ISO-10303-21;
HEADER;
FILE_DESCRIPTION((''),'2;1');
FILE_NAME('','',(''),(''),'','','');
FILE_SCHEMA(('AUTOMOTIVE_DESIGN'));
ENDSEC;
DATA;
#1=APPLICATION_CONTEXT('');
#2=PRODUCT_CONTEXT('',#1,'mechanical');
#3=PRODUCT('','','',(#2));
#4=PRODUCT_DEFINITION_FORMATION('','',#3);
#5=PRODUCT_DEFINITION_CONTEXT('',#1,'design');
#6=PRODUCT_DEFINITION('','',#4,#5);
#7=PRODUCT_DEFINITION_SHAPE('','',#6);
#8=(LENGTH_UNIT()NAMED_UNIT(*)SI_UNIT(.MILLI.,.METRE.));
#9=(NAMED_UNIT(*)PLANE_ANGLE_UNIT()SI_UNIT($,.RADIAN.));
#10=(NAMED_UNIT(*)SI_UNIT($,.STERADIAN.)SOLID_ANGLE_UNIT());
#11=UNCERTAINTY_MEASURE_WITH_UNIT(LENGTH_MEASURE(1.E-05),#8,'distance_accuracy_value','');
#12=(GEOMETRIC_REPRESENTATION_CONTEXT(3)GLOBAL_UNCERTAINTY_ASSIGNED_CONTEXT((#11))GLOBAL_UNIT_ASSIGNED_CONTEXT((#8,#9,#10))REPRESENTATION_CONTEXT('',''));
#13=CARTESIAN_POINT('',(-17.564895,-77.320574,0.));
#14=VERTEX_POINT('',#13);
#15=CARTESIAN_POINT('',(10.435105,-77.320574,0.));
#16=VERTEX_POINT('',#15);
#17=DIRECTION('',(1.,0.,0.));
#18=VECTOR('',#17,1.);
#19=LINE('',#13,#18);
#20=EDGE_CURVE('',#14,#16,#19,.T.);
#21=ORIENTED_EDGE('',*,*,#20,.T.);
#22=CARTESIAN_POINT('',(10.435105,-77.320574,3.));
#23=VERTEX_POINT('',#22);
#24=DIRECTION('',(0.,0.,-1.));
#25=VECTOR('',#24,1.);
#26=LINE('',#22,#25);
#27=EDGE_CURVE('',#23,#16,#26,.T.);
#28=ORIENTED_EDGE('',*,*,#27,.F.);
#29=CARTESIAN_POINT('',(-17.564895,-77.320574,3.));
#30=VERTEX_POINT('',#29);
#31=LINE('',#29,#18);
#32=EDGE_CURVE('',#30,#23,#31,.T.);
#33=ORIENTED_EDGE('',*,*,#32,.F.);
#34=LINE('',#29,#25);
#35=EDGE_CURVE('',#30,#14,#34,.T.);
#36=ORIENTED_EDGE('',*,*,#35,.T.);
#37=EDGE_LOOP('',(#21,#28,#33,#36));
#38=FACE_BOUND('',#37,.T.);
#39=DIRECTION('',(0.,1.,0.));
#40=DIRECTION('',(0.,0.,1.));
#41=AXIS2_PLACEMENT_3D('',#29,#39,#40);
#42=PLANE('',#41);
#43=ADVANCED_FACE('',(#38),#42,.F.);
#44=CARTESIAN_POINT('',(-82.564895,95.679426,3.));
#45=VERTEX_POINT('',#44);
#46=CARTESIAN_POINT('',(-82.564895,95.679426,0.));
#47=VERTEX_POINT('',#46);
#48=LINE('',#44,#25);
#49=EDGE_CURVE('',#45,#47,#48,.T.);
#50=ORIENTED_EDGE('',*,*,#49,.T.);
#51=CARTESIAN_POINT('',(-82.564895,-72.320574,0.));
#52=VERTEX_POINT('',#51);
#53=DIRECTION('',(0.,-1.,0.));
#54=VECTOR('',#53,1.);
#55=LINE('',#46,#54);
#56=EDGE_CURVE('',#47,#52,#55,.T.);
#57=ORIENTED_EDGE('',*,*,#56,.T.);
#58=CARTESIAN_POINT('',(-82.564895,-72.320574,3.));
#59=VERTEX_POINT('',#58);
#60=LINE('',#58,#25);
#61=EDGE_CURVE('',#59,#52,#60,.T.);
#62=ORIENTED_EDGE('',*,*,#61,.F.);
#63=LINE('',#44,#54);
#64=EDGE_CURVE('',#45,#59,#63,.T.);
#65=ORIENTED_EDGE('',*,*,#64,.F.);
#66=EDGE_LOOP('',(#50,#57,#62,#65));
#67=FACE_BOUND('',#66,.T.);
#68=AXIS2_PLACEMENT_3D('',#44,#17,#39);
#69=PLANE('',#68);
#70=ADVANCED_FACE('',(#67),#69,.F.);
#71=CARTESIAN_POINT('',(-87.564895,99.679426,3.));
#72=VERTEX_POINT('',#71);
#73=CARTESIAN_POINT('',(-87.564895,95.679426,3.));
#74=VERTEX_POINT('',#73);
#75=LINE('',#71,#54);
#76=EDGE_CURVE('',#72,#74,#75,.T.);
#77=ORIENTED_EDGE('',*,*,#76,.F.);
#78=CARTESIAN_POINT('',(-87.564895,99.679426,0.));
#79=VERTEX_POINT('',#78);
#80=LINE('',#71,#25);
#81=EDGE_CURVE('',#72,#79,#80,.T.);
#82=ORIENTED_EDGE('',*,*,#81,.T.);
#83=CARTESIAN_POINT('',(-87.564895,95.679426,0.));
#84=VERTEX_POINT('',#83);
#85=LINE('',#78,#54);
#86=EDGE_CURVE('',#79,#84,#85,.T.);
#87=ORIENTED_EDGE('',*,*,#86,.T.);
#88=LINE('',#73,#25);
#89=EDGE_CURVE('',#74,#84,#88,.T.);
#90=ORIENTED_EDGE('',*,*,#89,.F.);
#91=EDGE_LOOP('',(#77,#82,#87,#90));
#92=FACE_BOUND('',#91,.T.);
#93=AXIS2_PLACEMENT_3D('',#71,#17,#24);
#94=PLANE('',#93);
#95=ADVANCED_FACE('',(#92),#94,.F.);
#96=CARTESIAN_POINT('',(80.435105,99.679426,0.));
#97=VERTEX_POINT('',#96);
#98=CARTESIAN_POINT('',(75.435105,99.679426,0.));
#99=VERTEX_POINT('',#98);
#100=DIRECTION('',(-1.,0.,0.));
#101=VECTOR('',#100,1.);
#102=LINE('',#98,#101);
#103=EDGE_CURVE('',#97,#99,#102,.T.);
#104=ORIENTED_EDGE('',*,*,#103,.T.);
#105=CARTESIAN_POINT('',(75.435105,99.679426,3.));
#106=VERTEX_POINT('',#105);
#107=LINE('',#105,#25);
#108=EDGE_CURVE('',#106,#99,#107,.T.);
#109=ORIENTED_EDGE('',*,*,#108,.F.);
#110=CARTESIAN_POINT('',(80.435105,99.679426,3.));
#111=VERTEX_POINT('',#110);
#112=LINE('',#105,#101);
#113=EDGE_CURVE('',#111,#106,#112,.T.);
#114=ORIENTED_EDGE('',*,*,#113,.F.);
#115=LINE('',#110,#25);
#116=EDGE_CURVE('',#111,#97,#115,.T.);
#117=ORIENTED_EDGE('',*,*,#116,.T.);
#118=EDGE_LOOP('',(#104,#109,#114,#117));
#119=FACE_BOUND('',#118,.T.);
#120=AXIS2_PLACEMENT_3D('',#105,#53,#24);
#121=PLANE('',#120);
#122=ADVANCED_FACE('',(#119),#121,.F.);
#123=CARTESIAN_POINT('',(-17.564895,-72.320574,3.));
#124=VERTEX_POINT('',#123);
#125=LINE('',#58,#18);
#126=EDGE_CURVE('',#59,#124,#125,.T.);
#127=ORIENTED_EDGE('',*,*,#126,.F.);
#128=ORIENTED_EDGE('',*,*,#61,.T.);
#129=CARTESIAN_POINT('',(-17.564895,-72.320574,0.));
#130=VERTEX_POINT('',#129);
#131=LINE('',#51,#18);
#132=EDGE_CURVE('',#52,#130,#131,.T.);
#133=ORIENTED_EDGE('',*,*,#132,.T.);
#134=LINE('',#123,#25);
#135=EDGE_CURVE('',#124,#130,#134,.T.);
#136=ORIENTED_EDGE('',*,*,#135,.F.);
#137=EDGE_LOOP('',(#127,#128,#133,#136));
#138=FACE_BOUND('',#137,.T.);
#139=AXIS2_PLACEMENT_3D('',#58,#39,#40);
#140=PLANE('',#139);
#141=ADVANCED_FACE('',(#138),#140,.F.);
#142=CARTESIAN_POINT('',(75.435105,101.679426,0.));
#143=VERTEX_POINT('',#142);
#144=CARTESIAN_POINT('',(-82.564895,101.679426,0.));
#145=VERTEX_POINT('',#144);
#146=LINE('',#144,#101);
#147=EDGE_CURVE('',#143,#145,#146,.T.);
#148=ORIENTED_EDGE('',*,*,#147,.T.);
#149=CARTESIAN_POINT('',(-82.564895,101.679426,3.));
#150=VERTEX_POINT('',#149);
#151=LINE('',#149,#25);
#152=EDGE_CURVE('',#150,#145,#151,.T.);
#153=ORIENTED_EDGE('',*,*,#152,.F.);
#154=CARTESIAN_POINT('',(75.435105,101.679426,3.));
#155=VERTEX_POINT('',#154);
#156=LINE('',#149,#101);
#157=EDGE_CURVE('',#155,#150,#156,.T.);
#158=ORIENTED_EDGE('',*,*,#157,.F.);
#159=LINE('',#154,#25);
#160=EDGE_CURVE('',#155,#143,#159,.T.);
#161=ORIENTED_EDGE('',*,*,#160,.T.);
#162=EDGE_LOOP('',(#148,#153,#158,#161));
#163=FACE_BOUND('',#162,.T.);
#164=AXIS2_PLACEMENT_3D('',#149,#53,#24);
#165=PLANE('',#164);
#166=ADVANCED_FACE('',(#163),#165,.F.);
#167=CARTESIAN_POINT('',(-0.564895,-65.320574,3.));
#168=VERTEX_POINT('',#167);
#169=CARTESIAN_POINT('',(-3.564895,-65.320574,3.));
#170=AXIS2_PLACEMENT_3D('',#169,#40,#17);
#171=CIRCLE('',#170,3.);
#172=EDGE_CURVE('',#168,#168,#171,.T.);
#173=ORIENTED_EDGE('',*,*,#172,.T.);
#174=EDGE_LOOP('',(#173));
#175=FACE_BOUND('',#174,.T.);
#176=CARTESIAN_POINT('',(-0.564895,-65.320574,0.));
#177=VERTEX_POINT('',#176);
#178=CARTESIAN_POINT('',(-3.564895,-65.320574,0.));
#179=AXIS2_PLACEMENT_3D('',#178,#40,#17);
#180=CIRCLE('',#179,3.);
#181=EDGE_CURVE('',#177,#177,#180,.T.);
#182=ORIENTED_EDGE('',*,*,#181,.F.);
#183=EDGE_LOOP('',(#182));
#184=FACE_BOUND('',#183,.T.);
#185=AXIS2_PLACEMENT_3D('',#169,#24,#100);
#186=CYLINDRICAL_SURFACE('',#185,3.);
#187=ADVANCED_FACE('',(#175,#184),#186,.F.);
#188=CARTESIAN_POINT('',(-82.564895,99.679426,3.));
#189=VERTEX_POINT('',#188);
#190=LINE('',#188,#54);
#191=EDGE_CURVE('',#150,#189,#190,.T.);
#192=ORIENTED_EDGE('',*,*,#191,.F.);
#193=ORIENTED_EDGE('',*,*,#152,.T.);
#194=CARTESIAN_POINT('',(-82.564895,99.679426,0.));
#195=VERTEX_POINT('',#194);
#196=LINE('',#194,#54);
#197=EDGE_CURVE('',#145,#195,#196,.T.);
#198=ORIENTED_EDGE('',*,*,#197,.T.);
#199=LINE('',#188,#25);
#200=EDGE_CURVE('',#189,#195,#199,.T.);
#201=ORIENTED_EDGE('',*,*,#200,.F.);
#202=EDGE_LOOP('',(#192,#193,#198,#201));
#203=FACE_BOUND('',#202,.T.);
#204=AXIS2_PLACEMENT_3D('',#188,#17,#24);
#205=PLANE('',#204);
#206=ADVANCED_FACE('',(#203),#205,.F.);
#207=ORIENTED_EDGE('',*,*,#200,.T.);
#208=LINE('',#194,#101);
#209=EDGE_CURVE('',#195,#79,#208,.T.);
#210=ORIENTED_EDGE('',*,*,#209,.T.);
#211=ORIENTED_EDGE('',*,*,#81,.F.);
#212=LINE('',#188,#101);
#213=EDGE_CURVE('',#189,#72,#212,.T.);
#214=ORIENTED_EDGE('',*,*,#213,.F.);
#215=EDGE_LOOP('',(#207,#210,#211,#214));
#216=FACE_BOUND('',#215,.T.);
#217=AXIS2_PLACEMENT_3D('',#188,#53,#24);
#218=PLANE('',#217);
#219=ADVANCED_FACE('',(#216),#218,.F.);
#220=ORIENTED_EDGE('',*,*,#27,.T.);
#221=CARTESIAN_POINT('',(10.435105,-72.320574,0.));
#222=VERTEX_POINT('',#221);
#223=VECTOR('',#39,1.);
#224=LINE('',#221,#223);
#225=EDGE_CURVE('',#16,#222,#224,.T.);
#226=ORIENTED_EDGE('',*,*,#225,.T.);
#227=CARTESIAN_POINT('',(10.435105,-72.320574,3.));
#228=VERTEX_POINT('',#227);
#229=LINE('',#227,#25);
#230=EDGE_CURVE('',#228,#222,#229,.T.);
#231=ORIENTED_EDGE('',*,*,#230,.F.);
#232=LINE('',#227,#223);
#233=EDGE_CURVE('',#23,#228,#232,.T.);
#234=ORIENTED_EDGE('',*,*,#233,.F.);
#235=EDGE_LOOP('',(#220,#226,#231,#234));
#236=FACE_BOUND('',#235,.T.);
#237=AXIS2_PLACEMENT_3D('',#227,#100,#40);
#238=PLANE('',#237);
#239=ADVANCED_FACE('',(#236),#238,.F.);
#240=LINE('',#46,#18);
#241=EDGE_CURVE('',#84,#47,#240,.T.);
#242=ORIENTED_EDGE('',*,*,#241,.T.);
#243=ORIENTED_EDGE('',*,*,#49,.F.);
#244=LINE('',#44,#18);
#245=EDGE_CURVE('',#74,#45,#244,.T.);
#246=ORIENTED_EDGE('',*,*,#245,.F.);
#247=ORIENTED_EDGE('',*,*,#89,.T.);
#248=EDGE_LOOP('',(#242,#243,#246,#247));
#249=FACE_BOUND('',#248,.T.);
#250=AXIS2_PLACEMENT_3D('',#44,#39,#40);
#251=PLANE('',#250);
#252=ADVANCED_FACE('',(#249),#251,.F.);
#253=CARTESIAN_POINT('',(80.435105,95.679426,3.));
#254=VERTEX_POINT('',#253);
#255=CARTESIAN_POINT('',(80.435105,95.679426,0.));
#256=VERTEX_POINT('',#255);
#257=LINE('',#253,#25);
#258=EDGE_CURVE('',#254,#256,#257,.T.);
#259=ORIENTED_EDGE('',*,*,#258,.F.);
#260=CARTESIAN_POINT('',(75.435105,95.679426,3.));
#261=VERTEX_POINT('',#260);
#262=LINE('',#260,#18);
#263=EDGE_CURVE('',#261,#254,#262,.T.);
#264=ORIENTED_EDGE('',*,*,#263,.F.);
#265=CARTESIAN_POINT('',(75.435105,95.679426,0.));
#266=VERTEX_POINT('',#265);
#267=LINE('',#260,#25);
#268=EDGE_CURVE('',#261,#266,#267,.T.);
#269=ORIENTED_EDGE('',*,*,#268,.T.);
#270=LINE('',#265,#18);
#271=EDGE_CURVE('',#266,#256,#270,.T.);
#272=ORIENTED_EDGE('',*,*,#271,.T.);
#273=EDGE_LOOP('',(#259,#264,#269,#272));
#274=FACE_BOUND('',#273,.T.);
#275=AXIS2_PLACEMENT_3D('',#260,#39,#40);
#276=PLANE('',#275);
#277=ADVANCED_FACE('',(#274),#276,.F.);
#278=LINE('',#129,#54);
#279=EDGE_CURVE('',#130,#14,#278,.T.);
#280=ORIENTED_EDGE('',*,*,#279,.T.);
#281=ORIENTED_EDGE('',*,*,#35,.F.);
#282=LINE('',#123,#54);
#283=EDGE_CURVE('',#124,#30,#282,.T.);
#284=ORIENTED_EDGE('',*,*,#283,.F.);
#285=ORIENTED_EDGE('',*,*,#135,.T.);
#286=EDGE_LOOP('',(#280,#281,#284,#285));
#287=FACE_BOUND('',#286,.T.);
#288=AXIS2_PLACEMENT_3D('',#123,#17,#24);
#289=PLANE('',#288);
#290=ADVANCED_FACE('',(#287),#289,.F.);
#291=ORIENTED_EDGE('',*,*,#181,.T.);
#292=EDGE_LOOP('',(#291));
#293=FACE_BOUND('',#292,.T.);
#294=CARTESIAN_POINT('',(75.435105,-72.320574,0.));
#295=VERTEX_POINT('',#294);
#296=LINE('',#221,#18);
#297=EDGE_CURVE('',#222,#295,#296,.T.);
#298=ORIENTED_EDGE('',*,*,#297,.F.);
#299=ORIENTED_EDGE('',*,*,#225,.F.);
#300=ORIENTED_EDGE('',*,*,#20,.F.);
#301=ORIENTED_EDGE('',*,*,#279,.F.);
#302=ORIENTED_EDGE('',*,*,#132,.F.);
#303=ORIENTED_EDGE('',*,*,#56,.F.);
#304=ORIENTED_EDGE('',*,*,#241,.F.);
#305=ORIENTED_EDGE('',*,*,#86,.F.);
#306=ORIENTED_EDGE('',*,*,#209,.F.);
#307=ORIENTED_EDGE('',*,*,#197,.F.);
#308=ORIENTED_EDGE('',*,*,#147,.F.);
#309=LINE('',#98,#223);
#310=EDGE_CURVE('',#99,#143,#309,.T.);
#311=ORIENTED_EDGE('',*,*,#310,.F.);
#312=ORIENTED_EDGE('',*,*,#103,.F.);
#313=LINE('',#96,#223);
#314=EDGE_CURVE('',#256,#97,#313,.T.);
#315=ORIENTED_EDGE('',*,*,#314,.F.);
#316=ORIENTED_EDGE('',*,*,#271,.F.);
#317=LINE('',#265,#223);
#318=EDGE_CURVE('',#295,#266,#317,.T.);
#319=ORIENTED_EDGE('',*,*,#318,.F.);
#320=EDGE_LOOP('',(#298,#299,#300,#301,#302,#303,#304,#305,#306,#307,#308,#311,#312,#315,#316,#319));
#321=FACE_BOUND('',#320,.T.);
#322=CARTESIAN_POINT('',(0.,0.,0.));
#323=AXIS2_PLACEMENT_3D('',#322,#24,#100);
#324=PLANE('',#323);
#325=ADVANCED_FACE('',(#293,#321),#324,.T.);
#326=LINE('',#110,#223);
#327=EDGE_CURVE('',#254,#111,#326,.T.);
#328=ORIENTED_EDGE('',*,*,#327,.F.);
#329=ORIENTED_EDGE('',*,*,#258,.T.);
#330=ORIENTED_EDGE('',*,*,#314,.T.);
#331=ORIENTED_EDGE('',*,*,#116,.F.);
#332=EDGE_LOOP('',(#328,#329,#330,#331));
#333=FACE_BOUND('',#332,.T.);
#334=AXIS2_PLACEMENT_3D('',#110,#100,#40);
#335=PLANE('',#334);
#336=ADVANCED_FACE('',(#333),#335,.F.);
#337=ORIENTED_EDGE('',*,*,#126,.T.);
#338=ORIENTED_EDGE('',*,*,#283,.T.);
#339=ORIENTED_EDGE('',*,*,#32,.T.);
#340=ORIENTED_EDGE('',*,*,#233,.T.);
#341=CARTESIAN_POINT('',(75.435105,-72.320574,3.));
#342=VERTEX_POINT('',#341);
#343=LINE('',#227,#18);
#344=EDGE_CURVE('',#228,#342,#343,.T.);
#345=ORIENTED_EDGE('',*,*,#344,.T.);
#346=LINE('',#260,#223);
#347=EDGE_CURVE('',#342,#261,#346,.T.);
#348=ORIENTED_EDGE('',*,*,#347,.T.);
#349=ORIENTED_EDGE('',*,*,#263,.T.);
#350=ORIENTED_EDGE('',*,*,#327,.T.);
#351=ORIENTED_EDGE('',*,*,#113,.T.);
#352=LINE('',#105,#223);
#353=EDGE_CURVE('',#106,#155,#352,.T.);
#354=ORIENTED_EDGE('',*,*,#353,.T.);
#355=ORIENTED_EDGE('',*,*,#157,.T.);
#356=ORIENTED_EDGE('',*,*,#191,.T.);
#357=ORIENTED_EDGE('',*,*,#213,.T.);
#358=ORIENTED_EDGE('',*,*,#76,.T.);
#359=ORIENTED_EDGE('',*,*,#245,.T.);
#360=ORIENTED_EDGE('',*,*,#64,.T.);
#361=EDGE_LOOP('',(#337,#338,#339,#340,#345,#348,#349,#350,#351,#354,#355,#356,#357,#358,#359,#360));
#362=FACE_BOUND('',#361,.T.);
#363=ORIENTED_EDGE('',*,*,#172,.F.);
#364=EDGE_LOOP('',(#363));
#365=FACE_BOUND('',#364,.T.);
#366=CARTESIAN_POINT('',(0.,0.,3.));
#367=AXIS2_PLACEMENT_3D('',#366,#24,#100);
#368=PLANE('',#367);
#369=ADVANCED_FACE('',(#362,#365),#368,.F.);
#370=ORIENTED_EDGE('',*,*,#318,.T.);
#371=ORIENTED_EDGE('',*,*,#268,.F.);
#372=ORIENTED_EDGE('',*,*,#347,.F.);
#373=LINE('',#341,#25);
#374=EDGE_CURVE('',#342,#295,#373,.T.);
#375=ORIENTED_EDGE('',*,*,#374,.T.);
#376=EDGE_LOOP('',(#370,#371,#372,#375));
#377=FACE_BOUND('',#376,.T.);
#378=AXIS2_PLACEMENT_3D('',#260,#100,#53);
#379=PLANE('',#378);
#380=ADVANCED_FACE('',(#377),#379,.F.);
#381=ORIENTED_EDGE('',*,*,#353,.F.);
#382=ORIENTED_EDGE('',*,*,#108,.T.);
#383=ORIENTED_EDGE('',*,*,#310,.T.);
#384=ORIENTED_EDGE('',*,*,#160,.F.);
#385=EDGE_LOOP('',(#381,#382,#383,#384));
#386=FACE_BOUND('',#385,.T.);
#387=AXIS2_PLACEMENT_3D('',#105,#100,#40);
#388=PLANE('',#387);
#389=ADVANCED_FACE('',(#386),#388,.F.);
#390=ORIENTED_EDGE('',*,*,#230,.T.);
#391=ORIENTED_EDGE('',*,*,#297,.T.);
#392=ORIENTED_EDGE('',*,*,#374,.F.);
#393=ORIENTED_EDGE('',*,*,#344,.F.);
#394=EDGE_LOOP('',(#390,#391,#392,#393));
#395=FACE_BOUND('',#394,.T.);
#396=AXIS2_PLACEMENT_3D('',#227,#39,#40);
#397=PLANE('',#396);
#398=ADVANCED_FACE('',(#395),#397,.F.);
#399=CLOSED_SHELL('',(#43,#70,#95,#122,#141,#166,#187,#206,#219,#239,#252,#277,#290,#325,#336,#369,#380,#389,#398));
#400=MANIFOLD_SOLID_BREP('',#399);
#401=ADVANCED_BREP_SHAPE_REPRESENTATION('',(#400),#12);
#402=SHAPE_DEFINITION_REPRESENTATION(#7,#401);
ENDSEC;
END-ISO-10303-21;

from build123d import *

# Parameters (mm, degrees)
SKETCH2_R           = 3
BOSS_EXTRUDE1_DEPTH = 3


with BuildPart() as part:
    # Sketch2 → Boss-Extrude1 (new body)
    with BuildSketch(Plane.XY):
        Polygon((10.435104765, -72.320574163), (75.435104765, -72.320574163), (75.435104765, 95.679425837), (80.435104765, 95.679425837), (80.435104765, 99.679425837), (75.435104765, 99.679425837), (75.435104765, 101.679425837), (-82.564895235, 101.679425837), (-82.564895235, 99.679425837), (-87.564895235, 99.679425837), (-87.564895235, 95.679425837), (-82.564895235, 95.679425837), (-82.564895235, -72.320574163), (-17.564895235, -72.320574163), (-17.564895235, -77.320574163), (10.435104765, -77.320574163), align=None)
        with Locations((-3.564895235, -65.320574163)):
            Circle(SKETCH2_R, mode=Mode.SUBTRACT)
    extrude(amount=BOSS_EXTRUDE1_DEPTH)


solid = part.part
